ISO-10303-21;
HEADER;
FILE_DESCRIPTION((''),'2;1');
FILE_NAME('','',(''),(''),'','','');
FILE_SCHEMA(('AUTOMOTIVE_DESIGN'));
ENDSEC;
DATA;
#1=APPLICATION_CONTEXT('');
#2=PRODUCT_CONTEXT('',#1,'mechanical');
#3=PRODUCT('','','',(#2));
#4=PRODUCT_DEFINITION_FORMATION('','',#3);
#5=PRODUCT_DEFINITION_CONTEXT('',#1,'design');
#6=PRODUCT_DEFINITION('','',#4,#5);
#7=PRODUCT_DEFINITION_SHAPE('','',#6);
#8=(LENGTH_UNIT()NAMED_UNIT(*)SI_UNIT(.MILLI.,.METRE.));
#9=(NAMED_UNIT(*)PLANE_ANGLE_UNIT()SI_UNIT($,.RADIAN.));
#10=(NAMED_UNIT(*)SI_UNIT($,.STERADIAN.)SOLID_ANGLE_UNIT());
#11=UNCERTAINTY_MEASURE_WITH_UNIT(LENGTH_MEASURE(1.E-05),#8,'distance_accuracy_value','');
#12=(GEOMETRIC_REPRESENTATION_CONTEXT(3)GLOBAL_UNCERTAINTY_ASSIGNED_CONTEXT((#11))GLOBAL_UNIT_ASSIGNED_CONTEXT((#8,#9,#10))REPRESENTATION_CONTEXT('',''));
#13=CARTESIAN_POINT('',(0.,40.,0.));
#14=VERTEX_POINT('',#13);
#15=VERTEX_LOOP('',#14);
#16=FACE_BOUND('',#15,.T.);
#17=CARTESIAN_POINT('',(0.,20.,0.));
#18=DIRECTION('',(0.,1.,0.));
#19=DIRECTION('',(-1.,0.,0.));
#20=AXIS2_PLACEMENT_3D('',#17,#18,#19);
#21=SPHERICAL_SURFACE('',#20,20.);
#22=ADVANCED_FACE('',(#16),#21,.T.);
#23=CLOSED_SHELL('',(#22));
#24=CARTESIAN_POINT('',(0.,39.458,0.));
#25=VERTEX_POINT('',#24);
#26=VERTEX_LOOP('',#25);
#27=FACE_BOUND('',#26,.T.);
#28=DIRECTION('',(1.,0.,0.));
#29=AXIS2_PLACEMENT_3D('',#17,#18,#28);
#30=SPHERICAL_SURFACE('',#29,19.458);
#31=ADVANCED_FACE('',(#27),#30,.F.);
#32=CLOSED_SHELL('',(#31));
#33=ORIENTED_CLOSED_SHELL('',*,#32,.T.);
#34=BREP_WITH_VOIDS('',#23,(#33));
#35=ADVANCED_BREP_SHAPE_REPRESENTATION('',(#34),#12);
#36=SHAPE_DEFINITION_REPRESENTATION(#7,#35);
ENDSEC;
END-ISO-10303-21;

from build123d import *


with BuildPart() as part:
    # Sketch1 → Revolve1 (revolve)
    with BuildSketch(Plane.XY):
        with BuildLine():
            Line((0, 40), (0, 39.458))
            ThreePointArc((0, 39.458), (19.458, 20), (0, 0.542))
            Line((0, 0.542), (0, 0))
            ThreePointArc((0, 0), (20, 20), (0, 40))
        make_face()
    revolve(axis=Axis((0, 40, 0), (0, -1, 0)))


solid = part.part
